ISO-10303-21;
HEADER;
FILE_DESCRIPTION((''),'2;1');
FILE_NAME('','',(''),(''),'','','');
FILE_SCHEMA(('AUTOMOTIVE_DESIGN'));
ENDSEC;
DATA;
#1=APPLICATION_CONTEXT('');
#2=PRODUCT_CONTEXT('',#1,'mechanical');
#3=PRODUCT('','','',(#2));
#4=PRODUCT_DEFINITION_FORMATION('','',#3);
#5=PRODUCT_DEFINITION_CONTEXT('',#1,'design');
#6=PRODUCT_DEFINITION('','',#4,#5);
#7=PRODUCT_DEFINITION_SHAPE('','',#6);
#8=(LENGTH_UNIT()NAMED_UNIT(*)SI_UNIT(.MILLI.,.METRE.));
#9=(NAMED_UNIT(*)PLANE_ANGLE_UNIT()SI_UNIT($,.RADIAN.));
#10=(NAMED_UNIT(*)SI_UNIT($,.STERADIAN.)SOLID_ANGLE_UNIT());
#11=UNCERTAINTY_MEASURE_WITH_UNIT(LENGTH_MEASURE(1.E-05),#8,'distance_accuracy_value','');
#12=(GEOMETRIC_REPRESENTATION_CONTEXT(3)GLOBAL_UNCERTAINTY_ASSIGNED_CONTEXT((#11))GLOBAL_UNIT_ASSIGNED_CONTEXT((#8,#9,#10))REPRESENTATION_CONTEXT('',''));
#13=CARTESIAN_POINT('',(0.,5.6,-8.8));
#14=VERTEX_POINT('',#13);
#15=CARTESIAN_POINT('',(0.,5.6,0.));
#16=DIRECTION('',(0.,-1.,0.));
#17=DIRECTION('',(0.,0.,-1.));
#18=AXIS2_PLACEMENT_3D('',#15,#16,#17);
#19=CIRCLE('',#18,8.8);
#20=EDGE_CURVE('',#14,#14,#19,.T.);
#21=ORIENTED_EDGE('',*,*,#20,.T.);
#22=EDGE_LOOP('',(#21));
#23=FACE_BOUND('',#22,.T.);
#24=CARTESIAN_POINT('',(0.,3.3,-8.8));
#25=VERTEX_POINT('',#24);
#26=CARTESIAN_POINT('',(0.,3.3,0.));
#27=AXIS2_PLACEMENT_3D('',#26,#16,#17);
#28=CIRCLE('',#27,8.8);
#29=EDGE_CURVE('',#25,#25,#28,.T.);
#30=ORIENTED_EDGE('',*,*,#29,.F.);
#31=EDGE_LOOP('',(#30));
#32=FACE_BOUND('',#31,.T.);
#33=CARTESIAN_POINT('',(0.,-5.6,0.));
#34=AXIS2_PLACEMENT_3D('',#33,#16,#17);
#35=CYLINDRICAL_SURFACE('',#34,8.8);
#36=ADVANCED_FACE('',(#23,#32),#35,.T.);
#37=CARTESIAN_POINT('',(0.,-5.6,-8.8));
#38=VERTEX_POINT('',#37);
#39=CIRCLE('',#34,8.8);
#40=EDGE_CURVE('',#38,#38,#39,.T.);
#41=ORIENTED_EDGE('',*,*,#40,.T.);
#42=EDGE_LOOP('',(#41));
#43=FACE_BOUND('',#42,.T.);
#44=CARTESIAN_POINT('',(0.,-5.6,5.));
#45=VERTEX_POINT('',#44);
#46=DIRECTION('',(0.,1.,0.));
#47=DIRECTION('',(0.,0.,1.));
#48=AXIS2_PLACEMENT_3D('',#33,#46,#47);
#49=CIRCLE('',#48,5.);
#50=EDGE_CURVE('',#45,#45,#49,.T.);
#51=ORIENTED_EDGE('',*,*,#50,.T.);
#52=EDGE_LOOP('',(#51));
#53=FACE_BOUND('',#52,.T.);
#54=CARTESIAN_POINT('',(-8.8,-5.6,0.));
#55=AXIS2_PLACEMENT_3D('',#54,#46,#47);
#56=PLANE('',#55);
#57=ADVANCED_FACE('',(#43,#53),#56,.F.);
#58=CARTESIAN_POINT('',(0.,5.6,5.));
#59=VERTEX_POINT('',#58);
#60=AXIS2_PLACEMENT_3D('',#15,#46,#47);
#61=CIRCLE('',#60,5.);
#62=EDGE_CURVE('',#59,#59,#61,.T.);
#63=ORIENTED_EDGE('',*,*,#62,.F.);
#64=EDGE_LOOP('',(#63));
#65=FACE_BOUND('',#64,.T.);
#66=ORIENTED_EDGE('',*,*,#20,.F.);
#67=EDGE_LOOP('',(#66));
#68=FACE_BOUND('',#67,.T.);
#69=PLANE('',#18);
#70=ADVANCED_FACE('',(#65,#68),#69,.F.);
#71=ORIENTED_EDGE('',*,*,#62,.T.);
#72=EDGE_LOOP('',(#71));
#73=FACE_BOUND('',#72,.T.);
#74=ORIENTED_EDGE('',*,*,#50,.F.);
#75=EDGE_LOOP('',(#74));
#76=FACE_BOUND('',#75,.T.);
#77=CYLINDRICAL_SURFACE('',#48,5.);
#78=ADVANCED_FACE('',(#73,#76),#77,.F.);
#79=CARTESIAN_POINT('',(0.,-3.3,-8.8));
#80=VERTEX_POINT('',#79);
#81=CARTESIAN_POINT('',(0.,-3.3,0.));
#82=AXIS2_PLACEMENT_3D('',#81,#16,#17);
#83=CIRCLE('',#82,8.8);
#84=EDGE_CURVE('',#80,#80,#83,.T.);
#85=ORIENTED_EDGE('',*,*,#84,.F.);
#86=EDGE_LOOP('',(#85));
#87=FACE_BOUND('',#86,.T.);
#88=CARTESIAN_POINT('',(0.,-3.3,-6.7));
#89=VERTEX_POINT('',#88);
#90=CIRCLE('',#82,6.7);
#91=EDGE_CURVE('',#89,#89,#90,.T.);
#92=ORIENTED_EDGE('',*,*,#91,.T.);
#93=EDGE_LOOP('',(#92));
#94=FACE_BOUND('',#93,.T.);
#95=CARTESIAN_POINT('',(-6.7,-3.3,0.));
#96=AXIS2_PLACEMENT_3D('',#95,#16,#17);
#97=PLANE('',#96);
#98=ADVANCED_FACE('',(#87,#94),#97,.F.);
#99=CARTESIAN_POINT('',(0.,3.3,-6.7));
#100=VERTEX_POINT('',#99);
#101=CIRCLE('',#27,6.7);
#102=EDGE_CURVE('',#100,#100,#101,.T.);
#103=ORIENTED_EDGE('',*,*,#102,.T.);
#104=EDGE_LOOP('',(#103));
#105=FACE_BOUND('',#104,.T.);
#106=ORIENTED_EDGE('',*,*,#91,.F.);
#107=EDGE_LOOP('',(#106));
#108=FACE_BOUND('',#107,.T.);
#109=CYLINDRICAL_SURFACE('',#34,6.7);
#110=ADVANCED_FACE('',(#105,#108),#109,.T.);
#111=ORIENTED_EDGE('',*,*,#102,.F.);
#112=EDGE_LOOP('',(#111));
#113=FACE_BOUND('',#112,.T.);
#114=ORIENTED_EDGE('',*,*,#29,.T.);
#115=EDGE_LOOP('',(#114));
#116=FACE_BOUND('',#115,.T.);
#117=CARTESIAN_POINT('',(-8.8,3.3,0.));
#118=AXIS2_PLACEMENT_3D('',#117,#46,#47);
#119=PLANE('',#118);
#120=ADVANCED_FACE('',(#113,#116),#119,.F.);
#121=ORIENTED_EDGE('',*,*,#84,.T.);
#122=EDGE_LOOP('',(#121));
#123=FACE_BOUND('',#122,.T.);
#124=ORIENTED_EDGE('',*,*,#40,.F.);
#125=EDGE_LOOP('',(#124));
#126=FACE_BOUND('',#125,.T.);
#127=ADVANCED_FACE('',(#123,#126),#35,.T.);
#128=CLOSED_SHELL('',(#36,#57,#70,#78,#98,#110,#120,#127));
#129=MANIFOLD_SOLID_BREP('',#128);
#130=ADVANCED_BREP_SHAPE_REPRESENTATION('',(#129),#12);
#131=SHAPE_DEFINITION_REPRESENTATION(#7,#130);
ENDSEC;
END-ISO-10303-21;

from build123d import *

# Parameters (mm, degrees)
CUT_EXTRUDE1_DEPTH      = 14.646977687
CUT_EXTRUDE1_DEPTH_BACK = 14.646977687
SKETCH2_R               = 5


with BuildPart() as part:
    # Sketch1 → Revolve1 (revolve)
    with BuildSketch(Plane.XY, mode=Mode.PRIVATE) as revolve1_sk:
        Polygon((0, 5.6), (-8.8, 5.6), (-8.8, 3.3), (-6.7, 3.3), (-6.7, -3.3), (-8.8, -3.3), (-8.8, -5.6), (0, -5.6), align=None)
    revolve(revolve1_sk.sketch.rotate(Axis((0, -5.6, 0), (0, 1, 0)), 270), axis=Axis((0, -5.6, 0), (0, 1, 0)))

    # Sketch2 → Cut-Extrude1 (cut, two sides: drawn at the far end of the back side and taken through both)
    with BuildSketch(Plane(origin=(0, 0, 0), x_dir=(1, 0, 0), z_dir=(0, 1, 0)).offset(-CUT_EXTRUDE1_DEPTH_BACK)):
        with Locations(Location((0, 0, 0), (0, 0, 270))):
            Circle(SKETCH2_R)
    extrude(amount=CUT_EXTRUDE1_DEPTH + CUT_EXTRUDE1_DEPTH_BACK, mode=Mode.SUBTRACT)


solid = part.part
